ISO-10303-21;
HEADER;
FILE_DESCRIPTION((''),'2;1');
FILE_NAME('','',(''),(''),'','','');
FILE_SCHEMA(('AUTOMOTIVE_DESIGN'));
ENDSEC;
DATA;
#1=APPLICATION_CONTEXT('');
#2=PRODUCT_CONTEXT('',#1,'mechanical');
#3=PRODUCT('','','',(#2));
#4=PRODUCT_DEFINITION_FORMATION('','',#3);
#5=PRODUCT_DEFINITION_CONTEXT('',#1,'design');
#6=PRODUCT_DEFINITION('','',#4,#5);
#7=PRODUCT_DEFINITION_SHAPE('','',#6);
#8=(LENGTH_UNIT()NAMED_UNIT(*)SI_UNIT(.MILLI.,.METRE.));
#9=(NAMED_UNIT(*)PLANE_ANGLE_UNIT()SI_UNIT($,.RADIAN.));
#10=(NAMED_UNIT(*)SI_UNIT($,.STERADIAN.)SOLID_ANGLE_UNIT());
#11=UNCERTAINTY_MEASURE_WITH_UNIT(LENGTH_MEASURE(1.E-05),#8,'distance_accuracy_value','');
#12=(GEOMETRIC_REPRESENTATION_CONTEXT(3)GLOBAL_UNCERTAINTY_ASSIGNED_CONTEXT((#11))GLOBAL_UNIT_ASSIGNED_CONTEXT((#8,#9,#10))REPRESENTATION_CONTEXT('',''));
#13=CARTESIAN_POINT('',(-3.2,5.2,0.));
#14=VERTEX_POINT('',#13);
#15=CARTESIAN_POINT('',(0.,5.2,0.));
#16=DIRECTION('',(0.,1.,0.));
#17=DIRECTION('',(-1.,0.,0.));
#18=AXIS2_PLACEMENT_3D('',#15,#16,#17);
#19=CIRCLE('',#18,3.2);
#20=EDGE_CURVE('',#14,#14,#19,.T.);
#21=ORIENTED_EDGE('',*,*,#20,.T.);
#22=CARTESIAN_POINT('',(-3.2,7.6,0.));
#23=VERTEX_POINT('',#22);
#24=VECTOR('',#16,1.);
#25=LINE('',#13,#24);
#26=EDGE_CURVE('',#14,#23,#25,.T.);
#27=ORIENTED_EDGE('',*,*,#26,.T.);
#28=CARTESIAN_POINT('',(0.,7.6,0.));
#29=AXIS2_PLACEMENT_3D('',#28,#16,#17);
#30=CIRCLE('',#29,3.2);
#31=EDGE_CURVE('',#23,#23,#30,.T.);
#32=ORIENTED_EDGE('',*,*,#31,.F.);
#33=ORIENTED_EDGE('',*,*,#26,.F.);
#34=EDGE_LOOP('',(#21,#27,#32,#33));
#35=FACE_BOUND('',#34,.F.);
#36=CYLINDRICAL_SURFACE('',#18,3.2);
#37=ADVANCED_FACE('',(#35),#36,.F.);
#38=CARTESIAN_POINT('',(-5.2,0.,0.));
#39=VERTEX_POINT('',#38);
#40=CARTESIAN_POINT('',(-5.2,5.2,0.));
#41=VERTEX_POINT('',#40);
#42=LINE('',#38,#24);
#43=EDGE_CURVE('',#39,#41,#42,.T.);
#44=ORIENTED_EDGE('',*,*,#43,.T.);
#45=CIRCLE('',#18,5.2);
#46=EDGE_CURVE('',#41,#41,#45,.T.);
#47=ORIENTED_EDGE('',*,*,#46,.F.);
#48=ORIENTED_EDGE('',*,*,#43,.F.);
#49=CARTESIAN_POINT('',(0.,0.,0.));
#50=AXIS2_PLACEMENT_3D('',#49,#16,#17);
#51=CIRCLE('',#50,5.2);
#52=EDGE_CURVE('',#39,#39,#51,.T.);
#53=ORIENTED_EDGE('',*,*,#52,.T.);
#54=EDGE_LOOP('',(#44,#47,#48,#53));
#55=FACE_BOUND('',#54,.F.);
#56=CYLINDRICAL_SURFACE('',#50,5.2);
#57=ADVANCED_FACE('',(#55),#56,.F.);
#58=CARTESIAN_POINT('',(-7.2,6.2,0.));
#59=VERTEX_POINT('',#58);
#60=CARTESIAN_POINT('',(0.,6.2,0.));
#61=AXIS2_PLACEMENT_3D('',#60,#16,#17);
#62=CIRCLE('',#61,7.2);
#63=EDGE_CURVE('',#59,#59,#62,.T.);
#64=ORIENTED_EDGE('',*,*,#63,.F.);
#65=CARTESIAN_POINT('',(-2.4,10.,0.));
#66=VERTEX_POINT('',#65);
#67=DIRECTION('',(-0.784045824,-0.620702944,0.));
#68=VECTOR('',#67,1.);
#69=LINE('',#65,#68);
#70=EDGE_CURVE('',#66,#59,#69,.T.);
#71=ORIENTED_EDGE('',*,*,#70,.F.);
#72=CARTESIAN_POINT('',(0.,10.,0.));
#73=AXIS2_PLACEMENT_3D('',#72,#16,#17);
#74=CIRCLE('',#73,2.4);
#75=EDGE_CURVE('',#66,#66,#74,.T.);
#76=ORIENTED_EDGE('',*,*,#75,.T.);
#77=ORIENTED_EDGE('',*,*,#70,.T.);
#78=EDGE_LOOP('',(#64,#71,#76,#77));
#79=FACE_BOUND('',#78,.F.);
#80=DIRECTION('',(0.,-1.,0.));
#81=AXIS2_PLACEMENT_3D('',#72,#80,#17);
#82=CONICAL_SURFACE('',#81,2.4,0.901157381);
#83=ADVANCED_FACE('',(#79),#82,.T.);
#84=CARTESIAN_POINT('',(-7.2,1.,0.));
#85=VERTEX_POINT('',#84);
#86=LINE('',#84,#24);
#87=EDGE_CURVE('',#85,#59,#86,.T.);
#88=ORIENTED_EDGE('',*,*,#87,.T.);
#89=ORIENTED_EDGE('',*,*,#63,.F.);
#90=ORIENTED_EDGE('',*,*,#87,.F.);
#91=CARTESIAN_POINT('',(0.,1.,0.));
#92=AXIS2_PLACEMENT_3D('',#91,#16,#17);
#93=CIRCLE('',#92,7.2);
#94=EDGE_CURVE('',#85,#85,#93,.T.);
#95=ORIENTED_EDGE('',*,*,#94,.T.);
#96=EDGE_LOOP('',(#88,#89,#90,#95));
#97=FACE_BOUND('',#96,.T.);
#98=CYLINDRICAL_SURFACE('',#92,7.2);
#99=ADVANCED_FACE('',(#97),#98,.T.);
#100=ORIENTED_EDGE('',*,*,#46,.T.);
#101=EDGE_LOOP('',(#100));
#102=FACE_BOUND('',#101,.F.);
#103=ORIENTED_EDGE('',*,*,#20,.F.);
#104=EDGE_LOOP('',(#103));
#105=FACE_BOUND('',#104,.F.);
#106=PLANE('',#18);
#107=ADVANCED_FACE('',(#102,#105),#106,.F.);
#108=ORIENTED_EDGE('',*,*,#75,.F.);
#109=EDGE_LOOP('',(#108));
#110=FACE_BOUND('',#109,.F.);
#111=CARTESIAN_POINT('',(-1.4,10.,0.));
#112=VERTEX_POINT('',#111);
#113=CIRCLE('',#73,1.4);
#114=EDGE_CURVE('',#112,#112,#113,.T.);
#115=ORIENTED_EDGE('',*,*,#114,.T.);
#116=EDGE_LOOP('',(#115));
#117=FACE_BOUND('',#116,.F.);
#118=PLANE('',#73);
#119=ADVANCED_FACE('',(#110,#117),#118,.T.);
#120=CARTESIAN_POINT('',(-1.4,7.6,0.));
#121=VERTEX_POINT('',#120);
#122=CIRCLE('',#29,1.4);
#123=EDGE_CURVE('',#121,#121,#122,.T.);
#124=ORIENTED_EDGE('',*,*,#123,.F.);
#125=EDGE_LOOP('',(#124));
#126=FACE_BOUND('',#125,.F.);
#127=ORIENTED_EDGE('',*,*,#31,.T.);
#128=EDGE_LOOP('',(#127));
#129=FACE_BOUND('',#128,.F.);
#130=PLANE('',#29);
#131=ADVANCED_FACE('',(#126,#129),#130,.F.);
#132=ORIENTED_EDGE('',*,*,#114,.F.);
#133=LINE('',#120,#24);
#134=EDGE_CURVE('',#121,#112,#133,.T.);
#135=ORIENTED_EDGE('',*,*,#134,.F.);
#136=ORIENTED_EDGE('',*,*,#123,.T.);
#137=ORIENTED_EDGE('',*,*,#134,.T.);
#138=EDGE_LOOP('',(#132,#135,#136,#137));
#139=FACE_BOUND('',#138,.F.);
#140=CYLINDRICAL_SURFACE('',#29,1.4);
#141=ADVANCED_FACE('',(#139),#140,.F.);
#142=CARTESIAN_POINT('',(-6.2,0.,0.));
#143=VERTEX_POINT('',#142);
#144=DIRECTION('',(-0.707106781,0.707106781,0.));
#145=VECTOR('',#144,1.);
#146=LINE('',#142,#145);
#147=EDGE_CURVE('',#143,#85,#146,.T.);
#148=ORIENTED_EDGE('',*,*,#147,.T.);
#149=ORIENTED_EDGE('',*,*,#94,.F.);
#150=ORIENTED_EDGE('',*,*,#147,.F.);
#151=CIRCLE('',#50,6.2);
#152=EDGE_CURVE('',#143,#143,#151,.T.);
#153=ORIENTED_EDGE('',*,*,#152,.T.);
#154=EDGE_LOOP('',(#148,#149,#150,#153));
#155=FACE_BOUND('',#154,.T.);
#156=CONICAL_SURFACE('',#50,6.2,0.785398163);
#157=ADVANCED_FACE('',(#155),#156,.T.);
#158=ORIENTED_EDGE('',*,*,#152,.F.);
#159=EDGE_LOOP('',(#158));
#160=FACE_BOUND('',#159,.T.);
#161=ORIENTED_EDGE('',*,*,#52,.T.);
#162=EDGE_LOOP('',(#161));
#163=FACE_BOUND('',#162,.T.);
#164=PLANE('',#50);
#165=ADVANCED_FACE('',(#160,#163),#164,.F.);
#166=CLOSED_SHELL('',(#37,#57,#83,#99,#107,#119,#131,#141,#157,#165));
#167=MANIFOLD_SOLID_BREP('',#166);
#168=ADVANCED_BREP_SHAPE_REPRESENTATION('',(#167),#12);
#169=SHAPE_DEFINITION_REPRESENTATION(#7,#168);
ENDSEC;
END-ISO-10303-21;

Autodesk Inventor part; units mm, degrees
sketch "Sketch1" plane through (0, 0, 0) normal (0, 0, 1) x (1, 0, 0)
  line L0 (-5.2, 0) -> (-5.2, 5.2)
  line L1 (0, 14.64) -> (0, -2.44) projected
  line L2 (-5.2, 0) -> (-6.2, 0)
  line L3 (-6.2, 0) -> (-7.2, 1)
  line L4 (-8.64, 0) -> (1.44, 0) projected
  line L5 (-7.2, 1) -> (-7.2, 6.2)
  line L6 (-5.2, 5.2) -> (-3.2, 5.2)
  line L7 (-3.2, 5.2) -> (-3.2, 7.6)
  line L8 (-3.2, 7.6) -> (-1.4, 7.6)
  line L9 (0, 7.2) -> (0, 12.2)
  line L10 (-1.4, 10) -> (-2.4, 10)
  line L11 (-2.4, 10) -> (-7.2, 6.2)
  line L12 (0, -2.44) -> (0, 14.64) projected
  line L13 (-1.4, 7.6) -> (-1.4, 10)
  point P0 (0, 0)
  dimension "d0" = 5.2
  dimension "d1" = 5.2
  dimension "d2" = 1
  dimension "d3" = 1
  dimension "d5" = 5.2
  dimension "d6" = 3.2
  dimension "d7" = 2.4
  dimension "d8" = 0
  dimension "d11" = 2.4
  dimension "d21" = 1.4
  dimension "d22" = 2
  dimension "d23" = 2.4
revolve "Revolution1" add sketch "Sketch1" angle 360 about axis through (0, -10, 0) along (0, 1, 0)
properties part number "magnet-holder" material "PET Plastic"
